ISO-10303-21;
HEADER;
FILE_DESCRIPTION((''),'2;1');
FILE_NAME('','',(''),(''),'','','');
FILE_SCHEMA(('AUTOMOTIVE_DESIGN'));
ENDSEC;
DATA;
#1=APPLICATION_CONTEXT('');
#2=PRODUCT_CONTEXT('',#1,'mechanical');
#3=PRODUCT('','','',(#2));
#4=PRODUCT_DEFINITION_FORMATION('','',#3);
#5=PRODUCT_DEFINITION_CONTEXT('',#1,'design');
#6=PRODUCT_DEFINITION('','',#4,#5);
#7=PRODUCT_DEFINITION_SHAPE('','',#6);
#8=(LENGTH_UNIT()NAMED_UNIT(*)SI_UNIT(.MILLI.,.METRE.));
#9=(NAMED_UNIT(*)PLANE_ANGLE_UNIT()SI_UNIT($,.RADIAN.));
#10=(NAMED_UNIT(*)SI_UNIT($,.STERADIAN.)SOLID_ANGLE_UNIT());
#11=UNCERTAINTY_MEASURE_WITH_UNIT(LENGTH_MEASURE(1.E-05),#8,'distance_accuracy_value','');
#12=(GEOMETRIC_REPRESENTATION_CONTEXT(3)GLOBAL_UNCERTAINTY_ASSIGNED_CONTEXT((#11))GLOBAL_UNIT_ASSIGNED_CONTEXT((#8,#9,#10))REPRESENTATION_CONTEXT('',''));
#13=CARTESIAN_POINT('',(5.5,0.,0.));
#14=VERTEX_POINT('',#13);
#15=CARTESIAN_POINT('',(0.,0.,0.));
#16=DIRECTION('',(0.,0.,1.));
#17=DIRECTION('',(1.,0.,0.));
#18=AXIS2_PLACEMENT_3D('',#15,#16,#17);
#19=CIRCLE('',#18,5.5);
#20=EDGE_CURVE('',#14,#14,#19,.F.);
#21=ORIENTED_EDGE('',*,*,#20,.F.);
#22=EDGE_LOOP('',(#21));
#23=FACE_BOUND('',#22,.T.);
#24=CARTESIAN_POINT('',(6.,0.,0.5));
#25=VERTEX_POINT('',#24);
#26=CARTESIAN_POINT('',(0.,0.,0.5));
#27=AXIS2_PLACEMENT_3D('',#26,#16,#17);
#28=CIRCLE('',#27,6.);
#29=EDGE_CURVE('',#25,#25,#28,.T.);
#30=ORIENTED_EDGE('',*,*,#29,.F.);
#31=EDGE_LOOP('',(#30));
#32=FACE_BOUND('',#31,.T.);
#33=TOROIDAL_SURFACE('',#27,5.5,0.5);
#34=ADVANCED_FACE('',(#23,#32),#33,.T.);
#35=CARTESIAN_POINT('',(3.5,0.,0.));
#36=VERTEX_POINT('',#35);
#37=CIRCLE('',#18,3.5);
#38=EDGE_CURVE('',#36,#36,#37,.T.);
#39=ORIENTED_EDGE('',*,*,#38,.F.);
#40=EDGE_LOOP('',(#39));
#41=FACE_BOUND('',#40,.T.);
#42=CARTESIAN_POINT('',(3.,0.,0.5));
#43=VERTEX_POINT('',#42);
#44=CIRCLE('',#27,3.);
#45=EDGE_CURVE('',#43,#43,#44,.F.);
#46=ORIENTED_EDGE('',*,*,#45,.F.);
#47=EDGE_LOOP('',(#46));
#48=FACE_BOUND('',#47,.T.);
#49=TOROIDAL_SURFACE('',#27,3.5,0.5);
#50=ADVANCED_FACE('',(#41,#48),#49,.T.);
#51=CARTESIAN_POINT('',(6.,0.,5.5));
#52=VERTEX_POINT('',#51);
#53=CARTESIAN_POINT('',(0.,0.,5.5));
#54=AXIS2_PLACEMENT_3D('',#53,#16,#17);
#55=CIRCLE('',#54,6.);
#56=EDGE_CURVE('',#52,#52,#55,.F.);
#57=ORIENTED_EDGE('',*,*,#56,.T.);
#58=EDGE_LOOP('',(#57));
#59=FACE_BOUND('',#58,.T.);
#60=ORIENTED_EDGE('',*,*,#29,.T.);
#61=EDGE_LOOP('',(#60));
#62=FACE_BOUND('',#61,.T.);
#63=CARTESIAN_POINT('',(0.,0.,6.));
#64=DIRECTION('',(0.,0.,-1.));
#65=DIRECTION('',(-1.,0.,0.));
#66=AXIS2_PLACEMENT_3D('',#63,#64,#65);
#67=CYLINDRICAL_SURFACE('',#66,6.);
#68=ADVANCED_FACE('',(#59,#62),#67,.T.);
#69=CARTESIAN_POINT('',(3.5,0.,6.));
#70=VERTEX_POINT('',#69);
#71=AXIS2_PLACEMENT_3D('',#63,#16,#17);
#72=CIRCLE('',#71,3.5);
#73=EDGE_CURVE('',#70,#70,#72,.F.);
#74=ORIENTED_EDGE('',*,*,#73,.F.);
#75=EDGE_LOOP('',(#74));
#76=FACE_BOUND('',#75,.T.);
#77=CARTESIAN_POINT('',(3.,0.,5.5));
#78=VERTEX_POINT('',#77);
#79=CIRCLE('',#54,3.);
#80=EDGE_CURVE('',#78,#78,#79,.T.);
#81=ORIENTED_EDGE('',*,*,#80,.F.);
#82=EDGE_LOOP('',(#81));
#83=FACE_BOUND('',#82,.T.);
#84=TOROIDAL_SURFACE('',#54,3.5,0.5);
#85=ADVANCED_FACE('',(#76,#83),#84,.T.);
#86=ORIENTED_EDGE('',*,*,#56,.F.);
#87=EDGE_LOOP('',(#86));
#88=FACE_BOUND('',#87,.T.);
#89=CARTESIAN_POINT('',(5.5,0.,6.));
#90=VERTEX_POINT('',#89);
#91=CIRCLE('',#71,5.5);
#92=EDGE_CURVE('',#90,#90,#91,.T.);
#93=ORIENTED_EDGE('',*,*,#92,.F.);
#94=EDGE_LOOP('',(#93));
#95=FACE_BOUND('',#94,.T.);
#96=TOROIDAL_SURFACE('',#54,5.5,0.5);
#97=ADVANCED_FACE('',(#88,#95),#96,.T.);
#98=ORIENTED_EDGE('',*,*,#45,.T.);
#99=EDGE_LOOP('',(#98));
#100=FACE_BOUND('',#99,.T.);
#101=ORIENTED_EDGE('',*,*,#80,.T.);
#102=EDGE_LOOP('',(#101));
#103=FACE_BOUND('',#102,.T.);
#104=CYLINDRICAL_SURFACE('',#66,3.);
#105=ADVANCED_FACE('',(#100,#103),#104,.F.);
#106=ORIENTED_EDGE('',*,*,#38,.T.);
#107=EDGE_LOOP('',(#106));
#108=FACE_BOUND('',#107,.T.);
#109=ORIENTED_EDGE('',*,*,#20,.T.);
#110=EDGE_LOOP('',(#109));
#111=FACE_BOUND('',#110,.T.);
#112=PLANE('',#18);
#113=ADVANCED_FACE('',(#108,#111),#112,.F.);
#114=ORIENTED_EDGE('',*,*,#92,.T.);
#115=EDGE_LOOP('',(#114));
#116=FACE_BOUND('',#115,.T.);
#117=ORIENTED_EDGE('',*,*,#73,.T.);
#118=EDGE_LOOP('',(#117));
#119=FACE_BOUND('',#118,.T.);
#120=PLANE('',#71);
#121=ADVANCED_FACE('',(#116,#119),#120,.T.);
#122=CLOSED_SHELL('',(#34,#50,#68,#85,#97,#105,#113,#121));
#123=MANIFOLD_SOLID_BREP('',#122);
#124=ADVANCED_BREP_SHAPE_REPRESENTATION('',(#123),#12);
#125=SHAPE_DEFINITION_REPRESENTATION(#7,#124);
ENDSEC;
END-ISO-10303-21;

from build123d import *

# Parameters (mm, degrees)
SKETCH_1_R      = 6
SKETCH_1_R_2    = 3
EXTRUDE_1_DEPTH = 6
FILLET_1_R      = 0.5


with BuildPart() as part:
    # 草图1 → 凸台-拉伸1 (new body)
    with BuildSketch(Plane.XY):
        Circle(SKETCH_1_R)
        Circle(SKETCH_1_R_2, mode=Mode.SUBTRACT)
    extrude(amount=EXTRUDE_1_DEPTH)

    # 圆角1
    fillet_1_edges = [part.edges().sort_by_distance(p)[0] for p in [
        (-6, 0, 0),
        (-6, 0, 6),
        (-3, 0, 0),
        (-3, 0, 6),
    ]]
    fillet(fillet_1_edges, radius=FILLET_1_R)


solid = part.part
